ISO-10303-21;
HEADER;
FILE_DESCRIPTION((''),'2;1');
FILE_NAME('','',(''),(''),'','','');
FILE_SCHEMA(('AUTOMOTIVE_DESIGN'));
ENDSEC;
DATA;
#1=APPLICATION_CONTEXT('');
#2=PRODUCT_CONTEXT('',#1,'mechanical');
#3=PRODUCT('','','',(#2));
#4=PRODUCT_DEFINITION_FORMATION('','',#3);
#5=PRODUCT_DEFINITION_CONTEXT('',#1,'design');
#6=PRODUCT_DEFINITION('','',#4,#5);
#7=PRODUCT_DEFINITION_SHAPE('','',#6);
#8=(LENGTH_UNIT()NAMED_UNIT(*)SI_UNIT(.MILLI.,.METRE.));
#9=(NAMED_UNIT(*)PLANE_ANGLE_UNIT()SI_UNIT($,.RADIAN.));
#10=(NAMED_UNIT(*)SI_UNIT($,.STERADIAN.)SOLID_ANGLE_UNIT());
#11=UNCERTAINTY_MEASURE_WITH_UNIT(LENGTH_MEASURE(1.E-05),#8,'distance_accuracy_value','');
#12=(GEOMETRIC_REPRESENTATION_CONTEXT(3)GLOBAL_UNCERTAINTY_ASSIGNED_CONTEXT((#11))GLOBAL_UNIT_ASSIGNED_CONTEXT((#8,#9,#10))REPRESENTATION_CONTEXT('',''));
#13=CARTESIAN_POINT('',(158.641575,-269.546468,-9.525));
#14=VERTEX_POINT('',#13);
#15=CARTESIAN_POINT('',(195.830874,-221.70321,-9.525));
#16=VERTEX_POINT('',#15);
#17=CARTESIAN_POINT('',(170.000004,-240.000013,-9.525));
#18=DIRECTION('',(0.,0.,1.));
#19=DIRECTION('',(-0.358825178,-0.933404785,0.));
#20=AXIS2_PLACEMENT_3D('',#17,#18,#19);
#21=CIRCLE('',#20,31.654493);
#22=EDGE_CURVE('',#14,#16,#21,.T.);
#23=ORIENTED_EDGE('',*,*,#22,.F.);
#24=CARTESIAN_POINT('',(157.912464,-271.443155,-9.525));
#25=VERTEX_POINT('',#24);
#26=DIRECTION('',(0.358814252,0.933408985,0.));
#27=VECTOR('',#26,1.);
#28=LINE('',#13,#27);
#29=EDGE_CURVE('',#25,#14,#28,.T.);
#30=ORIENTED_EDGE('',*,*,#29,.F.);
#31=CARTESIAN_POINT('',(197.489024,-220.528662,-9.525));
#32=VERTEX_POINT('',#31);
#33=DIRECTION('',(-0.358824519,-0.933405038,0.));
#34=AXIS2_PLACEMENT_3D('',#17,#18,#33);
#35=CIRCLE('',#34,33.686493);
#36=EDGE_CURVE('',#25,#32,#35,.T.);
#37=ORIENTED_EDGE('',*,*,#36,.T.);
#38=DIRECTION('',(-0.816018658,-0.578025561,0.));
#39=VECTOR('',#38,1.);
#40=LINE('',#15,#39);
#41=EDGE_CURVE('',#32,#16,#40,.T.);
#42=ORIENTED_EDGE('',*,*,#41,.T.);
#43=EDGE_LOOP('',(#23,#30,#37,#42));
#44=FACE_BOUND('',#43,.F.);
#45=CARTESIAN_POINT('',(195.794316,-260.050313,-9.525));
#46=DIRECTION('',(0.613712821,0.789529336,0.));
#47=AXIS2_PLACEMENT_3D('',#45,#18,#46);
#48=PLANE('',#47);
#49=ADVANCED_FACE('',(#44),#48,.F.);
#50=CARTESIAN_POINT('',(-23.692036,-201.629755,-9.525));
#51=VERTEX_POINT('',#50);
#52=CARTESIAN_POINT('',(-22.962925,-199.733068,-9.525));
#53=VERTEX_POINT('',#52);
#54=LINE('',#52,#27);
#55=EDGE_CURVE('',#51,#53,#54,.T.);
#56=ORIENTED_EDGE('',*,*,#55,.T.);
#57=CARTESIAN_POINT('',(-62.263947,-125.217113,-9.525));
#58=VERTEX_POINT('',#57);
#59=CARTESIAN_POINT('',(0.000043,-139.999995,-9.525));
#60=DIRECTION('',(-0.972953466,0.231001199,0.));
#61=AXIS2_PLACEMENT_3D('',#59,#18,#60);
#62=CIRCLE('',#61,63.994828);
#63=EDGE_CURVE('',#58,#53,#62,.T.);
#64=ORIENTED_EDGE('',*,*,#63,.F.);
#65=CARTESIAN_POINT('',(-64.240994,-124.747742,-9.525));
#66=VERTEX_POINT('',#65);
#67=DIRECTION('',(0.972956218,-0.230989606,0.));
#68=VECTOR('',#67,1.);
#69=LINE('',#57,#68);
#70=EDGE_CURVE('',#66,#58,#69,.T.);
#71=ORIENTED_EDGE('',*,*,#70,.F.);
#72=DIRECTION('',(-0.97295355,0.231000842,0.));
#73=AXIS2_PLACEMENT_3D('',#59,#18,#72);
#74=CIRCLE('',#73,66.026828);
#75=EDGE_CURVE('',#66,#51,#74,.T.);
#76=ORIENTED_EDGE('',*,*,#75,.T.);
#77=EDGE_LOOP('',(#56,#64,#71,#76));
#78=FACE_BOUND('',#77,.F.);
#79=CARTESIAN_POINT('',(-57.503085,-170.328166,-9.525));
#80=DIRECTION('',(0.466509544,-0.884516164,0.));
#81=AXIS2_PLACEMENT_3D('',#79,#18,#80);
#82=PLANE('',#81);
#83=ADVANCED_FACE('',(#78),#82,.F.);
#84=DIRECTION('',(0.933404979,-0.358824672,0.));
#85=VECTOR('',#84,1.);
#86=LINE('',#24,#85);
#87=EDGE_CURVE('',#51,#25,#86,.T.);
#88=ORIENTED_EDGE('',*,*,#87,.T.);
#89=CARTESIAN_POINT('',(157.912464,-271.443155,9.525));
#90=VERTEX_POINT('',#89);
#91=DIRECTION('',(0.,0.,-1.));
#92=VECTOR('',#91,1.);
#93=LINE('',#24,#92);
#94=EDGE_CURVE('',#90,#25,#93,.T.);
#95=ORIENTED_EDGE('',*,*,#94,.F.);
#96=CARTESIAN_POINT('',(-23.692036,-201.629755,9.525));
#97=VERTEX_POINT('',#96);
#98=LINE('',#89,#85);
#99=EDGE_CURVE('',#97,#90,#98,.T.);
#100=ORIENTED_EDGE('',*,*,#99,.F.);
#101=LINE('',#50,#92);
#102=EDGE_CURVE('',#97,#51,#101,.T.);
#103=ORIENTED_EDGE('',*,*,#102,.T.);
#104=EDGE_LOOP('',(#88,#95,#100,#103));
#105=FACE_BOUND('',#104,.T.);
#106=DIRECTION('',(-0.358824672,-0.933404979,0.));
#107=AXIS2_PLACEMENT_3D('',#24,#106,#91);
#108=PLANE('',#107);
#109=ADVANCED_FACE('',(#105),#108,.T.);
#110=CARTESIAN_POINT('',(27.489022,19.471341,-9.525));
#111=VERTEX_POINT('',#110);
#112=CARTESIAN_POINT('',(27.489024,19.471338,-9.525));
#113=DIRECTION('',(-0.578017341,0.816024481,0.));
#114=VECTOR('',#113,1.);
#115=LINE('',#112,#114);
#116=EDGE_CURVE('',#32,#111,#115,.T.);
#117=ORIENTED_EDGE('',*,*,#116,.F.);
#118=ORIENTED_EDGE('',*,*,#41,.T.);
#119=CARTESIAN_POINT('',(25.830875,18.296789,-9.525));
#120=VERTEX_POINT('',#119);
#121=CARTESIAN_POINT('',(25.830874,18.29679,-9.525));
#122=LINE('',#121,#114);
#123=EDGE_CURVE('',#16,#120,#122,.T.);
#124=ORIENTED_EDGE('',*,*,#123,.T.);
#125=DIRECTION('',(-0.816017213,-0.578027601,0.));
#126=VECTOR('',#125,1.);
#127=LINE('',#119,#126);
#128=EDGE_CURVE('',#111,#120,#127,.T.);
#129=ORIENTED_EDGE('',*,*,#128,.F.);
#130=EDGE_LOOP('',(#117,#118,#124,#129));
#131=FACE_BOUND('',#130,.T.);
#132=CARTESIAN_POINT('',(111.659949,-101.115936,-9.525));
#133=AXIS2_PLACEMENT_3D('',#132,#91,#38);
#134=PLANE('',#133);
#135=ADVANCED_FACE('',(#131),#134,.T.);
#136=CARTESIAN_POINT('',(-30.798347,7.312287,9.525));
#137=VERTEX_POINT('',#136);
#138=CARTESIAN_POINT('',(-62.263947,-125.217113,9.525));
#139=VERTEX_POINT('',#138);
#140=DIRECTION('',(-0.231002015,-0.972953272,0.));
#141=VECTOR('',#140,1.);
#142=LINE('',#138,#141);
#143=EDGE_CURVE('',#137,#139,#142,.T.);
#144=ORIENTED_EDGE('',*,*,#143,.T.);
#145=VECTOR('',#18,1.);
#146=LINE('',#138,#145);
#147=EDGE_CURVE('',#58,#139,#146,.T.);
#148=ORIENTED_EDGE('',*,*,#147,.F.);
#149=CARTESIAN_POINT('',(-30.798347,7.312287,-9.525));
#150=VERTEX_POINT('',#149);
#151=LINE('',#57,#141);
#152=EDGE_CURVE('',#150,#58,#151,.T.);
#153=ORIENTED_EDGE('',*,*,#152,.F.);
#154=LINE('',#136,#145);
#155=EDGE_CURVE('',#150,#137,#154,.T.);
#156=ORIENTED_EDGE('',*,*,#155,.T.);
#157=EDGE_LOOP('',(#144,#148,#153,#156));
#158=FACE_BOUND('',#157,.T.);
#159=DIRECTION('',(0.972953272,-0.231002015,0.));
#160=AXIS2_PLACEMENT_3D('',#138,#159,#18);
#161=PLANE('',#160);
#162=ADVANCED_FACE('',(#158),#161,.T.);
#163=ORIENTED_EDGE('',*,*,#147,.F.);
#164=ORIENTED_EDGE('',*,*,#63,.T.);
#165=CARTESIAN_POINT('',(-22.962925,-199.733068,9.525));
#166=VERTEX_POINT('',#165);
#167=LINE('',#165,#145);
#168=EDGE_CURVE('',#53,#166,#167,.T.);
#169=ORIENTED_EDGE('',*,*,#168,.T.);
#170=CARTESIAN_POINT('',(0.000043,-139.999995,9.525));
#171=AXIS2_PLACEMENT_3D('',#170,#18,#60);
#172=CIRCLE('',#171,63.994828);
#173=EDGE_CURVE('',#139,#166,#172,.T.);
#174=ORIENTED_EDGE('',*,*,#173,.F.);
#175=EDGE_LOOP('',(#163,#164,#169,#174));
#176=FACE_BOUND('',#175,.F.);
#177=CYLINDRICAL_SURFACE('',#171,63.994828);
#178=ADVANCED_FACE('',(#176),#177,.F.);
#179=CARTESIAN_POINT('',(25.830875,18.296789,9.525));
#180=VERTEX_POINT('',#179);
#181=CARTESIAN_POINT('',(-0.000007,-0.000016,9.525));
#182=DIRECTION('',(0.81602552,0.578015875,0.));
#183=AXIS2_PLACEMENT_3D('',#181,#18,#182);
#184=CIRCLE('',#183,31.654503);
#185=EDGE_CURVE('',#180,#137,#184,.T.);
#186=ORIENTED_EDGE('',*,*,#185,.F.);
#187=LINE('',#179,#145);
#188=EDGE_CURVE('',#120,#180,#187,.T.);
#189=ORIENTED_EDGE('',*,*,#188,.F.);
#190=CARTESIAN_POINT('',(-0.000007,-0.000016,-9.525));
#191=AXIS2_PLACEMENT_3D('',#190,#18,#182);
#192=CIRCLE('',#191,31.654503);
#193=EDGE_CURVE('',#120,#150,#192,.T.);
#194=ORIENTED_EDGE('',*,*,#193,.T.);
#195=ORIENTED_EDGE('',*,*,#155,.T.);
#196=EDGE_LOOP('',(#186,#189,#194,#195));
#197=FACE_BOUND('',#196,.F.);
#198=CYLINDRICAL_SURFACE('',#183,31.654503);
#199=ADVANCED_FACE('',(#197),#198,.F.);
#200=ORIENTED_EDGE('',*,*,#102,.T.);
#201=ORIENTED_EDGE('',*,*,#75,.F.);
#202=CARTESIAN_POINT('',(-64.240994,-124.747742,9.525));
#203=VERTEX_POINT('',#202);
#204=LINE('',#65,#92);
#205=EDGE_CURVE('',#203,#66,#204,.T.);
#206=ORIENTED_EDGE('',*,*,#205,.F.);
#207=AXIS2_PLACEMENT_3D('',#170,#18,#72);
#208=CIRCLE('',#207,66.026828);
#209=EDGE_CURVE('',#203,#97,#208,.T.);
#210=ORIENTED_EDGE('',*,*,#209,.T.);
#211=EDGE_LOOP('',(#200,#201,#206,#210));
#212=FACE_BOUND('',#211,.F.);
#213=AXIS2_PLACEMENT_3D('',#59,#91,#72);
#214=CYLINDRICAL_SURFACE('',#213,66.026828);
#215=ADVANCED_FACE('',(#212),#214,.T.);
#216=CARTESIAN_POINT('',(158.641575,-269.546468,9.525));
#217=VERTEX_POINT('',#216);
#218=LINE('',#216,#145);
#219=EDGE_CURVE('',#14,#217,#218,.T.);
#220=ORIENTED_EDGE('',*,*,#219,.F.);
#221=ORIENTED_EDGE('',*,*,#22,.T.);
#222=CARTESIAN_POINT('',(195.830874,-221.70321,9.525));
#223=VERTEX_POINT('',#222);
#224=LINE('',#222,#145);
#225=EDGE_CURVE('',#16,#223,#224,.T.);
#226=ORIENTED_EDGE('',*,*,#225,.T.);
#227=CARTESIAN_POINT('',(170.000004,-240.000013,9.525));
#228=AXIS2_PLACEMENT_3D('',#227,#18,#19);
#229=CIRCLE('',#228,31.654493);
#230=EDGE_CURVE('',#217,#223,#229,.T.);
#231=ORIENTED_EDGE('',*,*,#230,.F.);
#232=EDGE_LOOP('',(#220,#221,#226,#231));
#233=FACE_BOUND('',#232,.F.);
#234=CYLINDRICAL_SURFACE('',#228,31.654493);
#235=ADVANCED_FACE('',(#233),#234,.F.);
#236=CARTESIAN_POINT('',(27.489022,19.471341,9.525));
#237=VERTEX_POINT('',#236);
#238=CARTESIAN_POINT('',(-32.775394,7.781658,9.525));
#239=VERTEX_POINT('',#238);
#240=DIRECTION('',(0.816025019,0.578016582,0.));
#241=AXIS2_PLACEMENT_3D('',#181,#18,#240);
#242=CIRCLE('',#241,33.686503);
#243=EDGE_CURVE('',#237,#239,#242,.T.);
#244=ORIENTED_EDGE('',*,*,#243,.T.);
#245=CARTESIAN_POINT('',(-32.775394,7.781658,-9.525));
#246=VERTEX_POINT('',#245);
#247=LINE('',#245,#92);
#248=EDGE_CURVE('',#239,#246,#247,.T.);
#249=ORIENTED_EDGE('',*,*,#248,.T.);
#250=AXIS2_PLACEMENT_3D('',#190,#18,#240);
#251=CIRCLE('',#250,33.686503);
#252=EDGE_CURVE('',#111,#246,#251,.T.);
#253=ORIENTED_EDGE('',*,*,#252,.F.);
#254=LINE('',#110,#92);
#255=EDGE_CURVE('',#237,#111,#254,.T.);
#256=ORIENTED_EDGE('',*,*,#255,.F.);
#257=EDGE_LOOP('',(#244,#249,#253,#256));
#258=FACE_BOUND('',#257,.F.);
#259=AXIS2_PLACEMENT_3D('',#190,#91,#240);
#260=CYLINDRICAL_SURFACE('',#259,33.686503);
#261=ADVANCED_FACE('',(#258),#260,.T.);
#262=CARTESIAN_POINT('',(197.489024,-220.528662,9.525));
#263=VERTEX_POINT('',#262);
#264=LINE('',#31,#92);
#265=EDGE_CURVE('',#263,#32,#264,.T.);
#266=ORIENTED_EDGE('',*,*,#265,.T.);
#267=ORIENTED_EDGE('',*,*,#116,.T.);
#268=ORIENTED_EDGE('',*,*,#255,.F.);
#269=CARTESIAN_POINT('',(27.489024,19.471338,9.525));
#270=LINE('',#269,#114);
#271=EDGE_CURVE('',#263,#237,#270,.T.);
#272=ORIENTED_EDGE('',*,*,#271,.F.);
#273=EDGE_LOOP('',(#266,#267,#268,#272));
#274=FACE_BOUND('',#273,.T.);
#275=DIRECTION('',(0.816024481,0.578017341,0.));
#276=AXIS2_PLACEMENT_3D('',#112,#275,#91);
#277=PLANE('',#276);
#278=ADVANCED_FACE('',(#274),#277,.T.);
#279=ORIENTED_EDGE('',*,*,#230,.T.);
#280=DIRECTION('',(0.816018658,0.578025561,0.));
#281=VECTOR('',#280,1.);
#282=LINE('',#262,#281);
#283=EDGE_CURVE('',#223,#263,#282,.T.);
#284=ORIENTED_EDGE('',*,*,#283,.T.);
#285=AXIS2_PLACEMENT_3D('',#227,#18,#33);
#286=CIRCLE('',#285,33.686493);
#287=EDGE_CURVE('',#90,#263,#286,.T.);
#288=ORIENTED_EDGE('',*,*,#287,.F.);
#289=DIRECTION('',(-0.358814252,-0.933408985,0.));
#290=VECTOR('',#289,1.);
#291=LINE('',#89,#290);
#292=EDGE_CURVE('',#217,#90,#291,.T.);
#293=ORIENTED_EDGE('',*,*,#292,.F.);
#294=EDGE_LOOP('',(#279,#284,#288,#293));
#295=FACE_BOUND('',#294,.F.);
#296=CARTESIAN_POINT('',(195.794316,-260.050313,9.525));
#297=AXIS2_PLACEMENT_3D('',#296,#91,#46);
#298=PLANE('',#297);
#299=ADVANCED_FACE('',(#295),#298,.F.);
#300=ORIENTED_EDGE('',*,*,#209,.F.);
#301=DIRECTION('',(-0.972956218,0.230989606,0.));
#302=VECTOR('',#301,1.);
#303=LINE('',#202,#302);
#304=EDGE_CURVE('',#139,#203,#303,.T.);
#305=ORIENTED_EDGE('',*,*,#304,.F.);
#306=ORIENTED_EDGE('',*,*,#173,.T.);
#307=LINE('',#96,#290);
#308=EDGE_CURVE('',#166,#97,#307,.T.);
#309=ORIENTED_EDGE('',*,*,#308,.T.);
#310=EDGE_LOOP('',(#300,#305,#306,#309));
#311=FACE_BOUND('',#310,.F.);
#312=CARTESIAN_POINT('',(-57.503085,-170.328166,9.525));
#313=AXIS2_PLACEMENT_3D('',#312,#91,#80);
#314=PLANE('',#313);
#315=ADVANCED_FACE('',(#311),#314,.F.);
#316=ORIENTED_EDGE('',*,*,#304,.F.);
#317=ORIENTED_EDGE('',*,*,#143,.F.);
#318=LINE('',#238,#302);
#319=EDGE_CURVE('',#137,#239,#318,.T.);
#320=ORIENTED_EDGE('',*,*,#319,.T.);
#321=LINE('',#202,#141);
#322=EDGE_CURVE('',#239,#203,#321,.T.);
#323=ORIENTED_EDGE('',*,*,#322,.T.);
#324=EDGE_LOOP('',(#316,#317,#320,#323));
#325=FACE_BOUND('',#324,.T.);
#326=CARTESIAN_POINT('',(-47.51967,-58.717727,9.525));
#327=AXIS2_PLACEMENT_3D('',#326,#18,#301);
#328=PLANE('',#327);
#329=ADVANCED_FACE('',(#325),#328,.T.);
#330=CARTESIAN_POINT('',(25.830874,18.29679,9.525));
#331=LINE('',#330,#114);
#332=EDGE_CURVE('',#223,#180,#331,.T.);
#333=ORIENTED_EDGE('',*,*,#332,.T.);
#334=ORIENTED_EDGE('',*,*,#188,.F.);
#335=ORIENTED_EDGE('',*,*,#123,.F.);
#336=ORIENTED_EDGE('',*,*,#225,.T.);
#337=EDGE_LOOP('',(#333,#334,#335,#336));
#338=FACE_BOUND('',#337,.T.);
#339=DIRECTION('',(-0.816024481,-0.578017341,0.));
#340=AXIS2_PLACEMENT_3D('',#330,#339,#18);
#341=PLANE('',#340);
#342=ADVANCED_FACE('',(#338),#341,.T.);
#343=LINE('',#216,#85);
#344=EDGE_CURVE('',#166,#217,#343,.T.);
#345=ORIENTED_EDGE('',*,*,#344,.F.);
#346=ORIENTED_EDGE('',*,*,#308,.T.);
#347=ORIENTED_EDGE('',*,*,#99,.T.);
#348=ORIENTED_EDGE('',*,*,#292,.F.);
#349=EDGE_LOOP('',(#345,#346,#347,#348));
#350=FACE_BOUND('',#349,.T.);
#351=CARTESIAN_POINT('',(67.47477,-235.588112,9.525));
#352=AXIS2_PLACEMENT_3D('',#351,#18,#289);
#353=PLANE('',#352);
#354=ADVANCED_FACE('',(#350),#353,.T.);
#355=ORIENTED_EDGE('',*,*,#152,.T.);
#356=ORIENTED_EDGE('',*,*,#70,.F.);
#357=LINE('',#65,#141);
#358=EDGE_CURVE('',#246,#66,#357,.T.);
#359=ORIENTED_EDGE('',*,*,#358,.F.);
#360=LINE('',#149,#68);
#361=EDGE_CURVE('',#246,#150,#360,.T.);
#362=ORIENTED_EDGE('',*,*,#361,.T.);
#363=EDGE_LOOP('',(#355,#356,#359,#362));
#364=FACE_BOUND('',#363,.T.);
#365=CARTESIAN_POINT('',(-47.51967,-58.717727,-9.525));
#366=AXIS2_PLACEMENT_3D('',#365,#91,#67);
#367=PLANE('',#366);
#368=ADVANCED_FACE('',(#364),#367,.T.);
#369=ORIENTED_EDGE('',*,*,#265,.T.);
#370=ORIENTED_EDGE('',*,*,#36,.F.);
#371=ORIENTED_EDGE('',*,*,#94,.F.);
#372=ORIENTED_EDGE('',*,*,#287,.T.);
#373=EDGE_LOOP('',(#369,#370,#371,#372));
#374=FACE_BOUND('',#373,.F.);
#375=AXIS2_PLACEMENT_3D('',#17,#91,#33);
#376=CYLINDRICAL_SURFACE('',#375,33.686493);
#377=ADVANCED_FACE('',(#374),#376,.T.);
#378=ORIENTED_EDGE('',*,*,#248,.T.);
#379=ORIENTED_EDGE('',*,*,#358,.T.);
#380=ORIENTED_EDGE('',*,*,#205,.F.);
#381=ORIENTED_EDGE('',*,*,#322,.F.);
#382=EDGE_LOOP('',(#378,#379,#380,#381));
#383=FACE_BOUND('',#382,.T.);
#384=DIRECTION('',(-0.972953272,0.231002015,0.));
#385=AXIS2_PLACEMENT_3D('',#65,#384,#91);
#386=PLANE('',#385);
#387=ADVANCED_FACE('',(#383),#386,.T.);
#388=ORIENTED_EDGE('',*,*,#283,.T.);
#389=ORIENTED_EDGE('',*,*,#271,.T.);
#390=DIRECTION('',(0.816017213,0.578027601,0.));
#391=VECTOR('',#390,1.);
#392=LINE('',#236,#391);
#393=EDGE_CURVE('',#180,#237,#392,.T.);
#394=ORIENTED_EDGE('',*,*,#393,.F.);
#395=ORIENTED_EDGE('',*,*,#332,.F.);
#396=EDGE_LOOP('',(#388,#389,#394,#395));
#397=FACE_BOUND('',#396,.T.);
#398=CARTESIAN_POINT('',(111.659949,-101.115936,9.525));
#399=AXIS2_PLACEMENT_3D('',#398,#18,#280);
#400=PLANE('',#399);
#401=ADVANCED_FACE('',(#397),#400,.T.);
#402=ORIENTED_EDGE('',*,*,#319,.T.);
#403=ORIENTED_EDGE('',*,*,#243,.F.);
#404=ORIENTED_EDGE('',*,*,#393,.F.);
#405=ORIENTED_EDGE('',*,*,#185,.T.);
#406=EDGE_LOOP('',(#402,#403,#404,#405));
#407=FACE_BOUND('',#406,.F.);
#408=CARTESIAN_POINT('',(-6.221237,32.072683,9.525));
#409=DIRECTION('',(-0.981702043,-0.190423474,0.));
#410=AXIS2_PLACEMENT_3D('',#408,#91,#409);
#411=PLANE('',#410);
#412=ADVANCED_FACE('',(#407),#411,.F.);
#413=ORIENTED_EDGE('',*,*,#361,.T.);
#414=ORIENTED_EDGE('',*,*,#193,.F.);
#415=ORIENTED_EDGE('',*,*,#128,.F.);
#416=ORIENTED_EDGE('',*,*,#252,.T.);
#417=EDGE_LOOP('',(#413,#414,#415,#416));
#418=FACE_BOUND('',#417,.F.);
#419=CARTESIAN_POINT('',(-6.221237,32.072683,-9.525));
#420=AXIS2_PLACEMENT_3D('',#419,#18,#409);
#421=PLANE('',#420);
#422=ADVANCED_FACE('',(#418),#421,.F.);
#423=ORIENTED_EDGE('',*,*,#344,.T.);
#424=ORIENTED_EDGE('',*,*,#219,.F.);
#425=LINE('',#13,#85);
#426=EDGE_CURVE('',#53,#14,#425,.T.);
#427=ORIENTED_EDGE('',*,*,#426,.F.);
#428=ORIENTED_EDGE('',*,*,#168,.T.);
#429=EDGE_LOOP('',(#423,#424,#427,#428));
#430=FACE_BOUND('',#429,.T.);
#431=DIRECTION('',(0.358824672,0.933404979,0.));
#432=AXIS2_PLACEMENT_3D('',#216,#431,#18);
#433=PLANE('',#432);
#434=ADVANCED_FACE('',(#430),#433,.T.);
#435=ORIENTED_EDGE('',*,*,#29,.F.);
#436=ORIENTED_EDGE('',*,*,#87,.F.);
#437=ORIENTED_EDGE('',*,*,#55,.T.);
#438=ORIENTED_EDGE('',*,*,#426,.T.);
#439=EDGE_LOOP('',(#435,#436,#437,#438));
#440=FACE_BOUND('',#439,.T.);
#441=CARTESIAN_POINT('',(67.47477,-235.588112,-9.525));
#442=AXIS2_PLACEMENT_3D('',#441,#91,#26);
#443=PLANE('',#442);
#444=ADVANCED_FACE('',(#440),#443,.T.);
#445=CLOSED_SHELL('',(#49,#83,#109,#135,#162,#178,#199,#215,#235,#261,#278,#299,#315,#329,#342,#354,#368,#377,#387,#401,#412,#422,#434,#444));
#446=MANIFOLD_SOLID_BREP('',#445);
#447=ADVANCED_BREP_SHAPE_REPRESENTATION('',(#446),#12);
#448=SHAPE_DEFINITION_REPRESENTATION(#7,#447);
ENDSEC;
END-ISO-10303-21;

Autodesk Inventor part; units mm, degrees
sketch "Эскизная траектория" plane through (0, 0, 0) normal (0, 0, 1) x (1, 0, 0)
  arc A0 (26.3905, 18.6932) -> (-31.4656, 7.4707) centre (0, 0) ccw
  arc A1 (158.3955, -270.1866) -> (196.3905, -221.3068) centre (170, -240) ccw
  arc A2 (-62.9312, -125.0587) -> (-23.209, -200.3732) centre (0, -140) ccw
  line L0 (-62.9312, -125.0587) -> (-31.4656, 7.4707)
  line L1 (26.3905, 18.6932) -> (196.3905, -221.3068)
  line L2 (158.3955, -270.1866) -> (-23.209, -200.3732)
ref_plane "Плоскость сечения" through (-31.4656, 7.4707, 0) normal (-0.231, -0.973, 0) x (0, 0, 1)
ref_plane "РабПлоскость2" through (0, 0, 0) normal (-1, 0, 0) x (0, 0, 1)
ref_plane "РабПлоскость3" through (170, -240, 0) normal (-0.4393, 0.8983, 0) x (0, 0, 1)
ref_plane "РабПлоскость4" through (0, -140, 0) normal (0.8859, -0.4639, 0) x (0, 0, 1)
sketch "Сечение" plane through (-31.4656, 7.4707, 0) normal (-0.231, -0.973, 0) x (0, 0, 1)
  line L0 (-9.525, 1.3462) -> (9.525, 1.3462)
  line L1 (9.525, 1.3462) -> (9.525, -0.6858)
  line L2 (9.525, -0.6858) -> (-9.525, -0.6858)
  line L3 (-9.525, -0.6858) -> (-9.525, 1.3462)
  line L4 (-9.525, 0) -> (9.525, 0) construction
  point P0 (0, 0)
  point P1 (0, 0)
  dimension "d0" = 19.05
  dimension "d4" = 0.6858
  dimension "d5" = 1.3462
sweep "Ремень" add profiles "Сечение" path "Эскизная траектория"
equation "\"d0\" = da_B"
equation "\"d4\" = da_a"
equation "\"d5\" = da_a2"
equation "\"da_B\" = 19.05"
equation "\"da_pb\" = 12.7"
equation "\"da_L\" = 874.5532"
equation "\"da_a\" = 0.6858"
equation "\"da_S\" = 6.1214"
equation "\"da_Beta\" = 20deg"
equation "\"da_Ht\" = 2.286"
equation "\"da_H\" = 4.318"
equation "\"da_a2\" = 1.3462"
properties part number "Зубчатый ремень" material "Rubber"
